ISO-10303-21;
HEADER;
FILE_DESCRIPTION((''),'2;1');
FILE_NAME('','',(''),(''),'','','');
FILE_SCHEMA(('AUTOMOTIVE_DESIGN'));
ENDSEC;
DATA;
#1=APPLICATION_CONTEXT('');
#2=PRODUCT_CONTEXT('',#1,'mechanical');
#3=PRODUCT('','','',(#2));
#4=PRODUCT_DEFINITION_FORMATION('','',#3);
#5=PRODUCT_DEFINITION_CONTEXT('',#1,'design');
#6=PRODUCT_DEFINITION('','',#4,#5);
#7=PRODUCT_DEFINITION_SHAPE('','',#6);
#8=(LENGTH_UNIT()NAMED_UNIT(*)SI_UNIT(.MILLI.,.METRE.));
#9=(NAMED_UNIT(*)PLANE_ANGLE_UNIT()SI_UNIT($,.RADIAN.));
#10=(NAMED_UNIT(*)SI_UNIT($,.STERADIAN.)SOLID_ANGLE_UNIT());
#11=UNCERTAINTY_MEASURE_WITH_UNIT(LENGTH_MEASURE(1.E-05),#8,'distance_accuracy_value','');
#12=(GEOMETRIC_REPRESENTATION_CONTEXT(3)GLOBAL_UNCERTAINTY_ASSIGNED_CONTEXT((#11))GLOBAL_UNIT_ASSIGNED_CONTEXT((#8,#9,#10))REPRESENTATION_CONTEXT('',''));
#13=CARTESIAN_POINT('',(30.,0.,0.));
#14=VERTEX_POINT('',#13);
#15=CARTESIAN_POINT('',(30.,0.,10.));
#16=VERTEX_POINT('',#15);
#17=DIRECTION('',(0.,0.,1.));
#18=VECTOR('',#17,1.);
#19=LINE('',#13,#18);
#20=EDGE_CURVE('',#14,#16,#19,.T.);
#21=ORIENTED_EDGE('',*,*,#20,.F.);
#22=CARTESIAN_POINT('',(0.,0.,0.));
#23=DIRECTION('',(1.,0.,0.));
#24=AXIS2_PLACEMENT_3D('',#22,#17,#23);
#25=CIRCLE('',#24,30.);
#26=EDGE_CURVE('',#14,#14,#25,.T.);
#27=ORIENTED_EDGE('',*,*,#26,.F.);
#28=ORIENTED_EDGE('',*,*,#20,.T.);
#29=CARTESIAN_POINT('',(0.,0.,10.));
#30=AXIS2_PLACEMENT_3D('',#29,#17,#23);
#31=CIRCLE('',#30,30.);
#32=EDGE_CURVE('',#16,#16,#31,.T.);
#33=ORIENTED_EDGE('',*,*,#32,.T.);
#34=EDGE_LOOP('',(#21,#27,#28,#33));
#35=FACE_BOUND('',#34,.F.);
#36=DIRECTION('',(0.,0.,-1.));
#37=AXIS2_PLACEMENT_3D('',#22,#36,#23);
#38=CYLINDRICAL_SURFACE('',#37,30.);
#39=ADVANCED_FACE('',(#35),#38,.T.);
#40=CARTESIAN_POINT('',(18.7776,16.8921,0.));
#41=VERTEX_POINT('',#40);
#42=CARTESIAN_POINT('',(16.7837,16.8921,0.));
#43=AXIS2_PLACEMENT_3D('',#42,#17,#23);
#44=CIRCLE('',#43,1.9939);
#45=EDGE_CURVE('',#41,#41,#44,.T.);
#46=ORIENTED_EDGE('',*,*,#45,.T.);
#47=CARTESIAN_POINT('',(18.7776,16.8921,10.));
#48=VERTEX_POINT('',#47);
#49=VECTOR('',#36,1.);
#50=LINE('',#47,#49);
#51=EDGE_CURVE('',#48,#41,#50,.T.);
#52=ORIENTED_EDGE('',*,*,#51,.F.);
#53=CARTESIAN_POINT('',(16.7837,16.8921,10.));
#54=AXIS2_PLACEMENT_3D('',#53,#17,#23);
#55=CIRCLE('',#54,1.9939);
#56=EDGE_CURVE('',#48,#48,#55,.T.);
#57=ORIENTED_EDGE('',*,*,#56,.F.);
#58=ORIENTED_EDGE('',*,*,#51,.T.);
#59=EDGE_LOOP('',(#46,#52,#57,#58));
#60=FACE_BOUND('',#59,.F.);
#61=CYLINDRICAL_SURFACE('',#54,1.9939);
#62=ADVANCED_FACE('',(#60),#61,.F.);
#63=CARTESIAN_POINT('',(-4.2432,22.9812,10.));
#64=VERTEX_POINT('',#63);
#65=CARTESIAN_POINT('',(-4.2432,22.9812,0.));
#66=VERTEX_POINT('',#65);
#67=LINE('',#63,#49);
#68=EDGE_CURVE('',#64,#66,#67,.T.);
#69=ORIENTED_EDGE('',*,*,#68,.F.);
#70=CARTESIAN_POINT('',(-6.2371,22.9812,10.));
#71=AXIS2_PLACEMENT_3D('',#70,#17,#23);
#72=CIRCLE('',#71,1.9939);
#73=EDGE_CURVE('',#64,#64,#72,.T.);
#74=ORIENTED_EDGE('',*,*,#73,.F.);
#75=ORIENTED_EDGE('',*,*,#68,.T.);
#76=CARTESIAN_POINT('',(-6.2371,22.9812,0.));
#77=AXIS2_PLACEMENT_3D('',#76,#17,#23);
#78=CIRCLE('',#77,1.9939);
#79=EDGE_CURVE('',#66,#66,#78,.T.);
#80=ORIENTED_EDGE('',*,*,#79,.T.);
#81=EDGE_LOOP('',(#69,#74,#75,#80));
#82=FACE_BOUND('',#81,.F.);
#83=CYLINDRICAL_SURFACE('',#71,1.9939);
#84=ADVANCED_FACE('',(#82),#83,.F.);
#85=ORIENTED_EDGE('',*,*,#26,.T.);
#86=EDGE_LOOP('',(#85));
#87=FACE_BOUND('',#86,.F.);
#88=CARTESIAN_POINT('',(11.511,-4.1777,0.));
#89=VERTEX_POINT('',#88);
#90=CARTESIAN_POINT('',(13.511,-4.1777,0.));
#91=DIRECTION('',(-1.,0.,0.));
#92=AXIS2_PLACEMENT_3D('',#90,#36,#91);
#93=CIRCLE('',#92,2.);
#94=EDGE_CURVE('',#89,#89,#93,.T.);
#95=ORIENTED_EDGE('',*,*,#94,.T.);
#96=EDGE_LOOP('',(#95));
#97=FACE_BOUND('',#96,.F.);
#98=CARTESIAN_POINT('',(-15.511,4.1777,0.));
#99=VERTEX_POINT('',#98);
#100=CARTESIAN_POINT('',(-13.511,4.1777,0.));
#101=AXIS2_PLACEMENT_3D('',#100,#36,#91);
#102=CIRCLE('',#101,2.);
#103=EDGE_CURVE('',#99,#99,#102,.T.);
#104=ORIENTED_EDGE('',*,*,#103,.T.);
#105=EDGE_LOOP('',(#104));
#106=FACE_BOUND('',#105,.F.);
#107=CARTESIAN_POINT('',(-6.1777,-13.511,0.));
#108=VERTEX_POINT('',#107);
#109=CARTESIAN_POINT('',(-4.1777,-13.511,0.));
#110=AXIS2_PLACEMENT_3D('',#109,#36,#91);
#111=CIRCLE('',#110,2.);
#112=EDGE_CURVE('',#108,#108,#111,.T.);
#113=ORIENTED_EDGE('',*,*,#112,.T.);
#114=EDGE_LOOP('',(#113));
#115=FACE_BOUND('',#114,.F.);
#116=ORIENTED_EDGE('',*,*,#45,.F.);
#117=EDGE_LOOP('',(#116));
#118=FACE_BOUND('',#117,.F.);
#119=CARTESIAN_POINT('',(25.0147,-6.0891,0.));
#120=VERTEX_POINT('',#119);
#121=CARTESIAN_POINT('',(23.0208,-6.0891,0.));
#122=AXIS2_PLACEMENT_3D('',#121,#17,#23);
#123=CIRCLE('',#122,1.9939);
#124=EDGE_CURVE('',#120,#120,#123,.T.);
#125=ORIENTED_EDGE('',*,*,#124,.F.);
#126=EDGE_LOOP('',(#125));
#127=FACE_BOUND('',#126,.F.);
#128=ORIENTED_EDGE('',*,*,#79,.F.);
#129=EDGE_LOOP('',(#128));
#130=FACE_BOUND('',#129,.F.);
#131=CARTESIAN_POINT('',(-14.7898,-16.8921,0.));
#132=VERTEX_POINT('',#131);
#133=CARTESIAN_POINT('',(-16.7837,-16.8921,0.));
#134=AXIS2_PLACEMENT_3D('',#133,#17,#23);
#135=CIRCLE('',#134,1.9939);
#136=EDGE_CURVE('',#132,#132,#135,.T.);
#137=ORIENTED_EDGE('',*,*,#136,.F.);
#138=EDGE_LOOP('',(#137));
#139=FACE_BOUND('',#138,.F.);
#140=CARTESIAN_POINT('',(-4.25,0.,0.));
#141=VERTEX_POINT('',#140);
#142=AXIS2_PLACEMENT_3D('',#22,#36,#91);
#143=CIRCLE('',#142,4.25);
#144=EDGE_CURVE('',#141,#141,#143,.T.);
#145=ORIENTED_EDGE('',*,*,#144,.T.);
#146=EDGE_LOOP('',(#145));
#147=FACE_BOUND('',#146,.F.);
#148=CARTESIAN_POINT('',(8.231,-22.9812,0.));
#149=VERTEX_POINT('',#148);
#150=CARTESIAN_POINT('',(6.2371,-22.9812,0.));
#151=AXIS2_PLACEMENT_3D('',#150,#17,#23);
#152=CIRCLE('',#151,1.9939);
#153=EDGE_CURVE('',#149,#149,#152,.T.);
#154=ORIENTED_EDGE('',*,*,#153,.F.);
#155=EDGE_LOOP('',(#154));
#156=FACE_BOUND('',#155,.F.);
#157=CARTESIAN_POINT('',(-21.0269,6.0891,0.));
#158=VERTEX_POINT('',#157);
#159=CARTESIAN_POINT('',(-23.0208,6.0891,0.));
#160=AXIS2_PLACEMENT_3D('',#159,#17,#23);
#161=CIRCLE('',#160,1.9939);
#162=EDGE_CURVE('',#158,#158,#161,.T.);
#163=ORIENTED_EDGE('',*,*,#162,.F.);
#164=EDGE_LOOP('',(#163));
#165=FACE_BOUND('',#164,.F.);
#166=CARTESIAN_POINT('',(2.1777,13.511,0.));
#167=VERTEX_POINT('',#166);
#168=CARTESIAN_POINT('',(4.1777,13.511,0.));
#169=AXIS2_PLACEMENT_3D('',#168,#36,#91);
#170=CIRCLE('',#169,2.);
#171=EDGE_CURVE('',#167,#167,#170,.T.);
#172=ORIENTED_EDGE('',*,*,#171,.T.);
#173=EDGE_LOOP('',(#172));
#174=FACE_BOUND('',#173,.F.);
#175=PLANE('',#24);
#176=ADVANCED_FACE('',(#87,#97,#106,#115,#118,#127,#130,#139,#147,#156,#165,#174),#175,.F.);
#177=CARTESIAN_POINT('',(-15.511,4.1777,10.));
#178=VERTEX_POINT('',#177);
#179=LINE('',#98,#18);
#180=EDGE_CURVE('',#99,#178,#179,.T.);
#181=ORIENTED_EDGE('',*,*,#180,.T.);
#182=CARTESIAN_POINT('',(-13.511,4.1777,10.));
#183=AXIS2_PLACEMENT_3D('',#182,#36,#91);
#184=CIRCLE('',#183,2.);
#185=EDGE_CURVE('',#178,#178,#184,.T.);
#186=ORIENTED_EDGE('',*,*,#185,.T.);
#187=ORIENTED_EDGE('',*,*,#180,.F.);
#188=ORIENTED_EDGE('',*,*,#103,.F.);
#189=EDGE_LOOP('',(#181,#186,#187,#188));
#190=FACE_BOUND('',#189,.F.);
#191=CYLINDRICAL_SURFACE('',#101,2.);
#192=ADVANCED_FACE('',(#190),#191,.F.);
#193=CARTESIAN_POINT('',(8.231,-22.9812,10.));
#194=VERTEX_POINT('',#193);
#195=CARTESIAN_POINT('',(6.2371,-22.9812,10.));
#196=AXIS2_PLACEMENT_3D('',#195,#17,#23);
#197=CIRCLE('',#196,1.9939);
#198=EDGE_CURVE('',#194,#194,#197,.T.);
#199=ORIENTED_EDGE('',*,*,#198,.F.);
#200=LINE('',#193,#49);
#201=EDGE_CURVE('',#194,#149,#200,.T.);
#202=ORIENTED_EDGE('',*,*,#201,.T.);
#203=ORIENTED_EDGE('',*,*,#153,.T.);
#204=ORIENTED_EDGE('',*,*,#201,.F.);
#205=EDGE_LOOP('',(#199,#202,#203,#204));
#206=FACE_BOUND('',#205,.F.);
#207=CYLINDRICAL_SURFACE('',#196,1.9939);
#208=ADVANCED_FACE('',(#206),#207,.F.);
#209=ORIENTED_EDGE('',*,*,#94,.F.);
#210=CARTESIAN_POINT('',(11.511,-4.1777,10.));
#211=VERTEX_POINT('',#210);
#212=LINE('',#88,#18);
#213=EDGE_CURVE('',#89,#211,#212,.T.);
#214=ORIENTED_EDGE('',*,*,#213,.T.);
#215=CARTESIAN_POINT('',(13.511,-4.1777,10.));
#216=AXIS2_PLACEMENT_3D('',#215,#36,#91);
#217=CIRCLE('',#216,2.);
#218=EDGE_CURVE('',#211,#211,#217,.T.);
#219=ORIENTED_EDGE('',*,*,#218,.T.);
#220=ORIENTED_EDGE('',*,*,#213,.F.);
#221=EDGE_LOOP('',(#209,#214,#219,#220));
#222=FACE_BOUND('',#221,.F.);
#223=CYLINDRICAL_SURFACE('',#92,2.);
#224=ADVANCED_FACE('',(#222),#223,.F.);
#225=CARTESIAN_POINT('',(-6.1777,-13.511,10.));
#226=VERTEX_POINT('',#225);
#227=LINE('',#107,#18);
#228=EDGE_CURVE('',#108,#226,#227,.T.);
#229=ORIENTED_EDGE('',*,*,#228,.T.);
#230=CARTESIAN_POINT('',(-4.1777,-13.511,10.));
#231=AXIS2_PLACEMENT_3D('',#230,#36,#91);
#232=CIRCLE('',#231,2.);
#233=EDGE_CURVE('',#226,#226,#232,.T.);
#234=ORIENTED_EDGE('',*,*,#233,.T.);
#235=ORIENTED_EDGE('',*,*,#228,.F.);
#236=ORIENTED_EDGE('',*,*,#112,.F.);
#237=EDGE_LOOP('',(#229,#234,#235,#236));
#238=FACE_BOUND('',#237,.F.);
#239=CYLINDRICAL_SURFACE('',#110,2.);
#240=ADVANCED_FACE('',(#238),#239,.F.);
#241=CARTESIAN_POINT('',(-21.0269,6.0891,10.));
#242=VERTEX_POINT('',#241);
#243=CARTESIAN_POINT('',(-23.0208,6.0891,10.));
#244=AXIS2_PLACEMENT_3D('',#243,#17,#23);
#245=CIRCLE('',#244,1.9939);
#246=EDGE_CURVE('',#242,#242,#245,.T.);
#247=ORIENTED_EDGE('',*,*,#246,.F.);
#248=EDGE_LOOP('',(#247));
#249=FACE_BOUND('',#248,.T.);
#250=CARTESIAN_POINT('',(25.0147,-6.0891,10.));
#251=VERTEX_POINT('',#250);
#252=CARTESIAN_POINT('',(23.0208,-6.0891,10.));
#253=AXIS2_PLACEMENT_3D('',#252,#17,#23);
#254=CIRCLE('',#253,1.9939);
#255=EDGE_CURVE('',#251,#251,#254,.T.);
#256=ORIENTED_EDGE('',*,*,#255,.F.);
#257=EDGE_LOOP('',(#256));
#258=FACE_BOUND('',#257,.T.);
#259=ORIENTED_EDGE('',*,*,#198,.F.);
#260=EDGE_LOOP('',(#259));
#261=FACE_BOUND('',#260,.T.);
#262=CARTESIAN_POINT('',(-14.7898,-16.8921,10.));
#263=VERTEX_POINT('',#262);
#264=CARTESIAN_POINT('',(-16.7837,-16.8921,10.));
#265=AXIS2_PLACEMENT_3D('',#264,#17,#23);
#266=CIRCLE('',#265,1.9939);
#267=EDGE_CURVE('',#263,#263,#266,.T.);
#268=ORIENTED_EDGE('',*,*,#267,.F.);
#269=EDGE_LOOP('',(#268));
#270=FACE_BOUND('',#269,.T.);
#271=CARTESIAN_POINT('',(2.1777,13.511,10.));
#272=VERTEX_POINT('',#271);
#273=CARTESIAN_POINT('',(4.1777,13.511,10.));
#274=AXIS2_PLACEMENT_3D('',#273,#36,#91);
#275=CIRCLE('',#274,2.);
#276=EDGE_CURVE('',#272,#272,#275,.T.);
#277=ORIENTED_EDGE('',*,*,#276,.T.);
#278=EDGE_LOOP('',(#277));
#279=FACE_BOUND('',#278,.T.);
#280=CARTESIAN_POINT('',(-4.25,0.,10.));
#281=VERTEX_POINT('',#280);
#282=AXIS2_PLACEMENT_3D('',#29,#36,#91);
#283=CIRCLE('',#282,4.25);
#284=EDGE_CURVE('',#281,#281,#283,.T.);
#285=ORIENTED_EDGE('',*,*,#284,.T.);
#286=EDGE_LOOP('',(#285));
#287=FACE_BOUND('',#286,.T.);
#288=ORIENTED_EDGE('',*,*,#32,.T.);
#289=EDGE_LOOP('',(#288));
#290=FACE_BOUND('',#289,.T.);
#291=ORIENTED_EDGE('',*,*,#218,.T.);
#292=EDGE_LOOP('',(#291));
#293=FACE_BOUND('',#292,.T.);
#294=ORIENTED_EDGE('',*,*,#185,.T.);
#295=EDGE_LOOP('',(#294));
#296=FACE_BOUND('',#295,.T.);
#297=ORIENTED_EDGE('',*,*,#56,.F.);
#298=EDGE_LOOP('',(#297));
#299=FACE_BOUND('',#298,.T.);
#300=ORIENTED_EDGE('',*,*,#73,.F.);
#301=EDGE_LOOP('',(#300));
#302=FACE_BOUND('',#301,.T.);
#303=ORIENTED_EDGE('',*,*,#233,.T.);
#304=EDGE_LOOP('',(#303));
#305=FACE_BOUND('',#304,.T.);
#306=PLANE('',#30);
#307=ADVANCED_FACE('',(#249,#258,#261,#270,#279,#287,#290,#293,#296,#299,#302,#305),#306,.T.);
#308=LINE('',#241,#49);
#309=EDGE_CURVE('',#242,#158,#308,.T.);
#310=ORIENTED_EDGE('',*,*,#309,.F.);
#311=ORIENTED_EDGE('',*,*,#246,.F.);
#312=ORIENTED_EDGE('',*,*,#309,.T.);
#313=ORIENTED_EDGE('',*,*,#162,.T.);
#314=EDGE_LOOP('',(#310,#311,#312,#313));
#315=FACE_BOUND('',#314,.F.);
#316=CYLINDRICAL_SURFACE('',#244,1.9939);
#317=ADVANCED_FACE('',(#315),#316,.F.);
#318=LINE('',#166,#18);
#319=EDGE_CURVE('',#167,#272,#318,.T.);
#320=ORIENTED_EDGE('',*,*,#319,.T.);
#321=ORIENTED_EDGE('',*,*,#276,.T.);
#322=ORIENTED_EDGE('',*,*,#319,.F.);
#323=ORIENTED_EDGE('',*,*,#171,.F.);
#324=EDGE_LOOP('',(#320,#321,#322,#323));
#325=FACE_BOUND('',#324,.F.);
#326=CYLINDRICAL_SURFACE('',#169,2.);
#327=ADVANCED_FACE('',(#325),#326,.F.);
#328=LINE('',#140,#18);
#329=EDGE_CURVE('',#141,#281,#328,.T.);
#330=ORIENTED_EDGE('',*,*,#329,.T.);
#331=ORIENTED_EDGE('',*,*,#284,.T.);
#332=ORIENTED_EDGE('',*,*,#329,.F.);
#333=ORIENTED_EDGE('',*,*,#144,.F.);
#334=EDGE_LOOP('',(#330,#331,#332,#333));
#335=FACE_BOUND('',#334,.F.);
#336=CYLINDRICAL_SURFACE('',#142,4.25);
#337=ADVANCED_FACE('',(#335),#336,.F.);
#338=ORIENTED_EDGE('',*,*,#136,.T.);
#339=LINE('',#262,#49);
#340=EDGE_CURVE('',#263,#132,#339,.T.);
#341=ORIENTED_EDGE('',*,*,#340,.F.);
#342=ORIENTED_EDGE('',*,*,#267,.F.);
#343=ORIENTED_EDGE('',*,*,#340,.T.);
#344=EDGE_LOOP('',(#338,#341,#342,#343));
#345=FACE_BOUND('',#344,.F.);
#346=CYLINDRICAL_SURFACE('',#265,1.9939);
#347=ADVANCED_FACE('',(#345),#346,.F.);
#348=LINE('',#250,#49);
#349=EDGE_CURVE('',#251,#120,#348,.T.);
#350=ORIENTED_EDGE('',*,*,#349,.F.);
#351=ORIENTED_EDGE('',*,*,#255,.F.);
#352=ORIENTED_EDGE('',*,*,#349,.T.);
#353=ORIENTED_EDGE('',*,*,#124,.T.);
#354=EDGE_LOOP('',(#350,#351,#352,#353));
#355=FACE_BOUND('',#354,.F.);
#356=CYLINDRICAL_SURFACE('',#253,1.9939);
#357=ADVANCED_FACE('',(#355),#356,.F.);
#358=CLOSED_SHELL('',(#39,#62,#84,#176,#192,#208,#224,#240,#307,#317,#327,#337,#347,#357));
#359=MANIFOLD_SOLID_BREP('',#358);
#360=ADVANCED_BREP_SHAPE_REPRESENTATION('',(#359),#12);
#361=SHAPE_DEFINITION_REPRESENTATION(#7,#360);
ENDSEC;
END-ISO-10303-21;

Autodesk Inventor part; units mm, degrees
ref_plane "YZ Plane" through (0, 0, 0) normal (1, 0, 0) x (0, 1, 0)
ref_plane "XZ Plane" through (0, 0, 0) normal (0, 1, 0) x (-1, 0, 0)
ref_plane "XY Plane" through (0, 0, 0) normal (0, 0, 1) x (1, 0, 0)
sketch "Sketch1" plane through (0, 0, 0) normal (0, 0, 1) x (1, 0, 0)
  circle A0 centre (0, 0) radius 30
  dimension "d0" = 60
extrude "Extrusion1" add sketch "Sketch1" along normal blind 10
sketch "Sketch2" plane through (0, 0, 10) normal (0, 0, 1) x (1, 0, 0)
  circle A0 centre (6.2371, -22.9812) radius 1.9939
  circle A1 centre (23.0208, -6.0891) radius 1.9939
  circle A2 centre (-23.0208, 6.0891) radius 1.9939
  circle A3 centre (-16.7837, -16.8921) radius 1.9939
  circle A4 centre (-6.2371, 22.9812) radius 1.9939
  circle A5 centre (16.7837, 16.8921) radius 1.9939
  circle A6 centre (0, 0) radius 14.2875 construction
  point P0 (0, 0)
extrude "Extrusion2" cut sketch "Sketch2" against normal through all
sketch "Sketch3" plane through (0, 0, 0) normal (0, 0, -1) x (-1, 0, 0)
  circle A0 centre (-13.511, -4.1777) radius 2 projected
  circle A1 centre (-4.1777, 13.511) radius 2 projected
  circle A2 centre (4.1777, -13.511) radius 2 projected
  circle A3 centre (13.511, 4.1777) radius 2 projected
  circle A4 centre (4.1777, -13.511) radius 2 projected
  point P0 (0, 0)
extrude "Extrusion3" cut sketch "Sketch3" against normal through all
sketch "Sketch4" plane through (0, 0, 0) normal (0, 0, -1) x (-1, 0, 0)
  circle A0 centre (0, 0) radius 4 construction
  circle A1 centre (-4.1777, 13.511) radius 2 projected
  circle A2 centre (13.511, 4.1777) radius 2 projected
  circle A3 centre (-13.511, -4.1777) radius 2 projected
  circle A4 centre (4.1777, -13.511) radius 2 projected
  circle A5 centre (-6.2371, -22.9812) radius 1.9939 projected
  circle A6 centre (6.2371, 22.9812) radius 1.9939 projected
  circle A7 centre (-23.0208, -6.0891) radius 1.9939 projected
  circle A8 centre (16.7837, -16.8921) radius 1.9939 projected
  circle A9 centre (23.0208, 6.0891) radius 1.9939 projected
  circle A10 centre (-16.7837, 16.8921) radius 1.9939 projected
  circle A11 centre (0, 0) radius 30 projected
  circle A12 centre (0, 0) radius 4.25
  dimension "d7" = 8.5
extrude "Extrusion4" cut sketch "Sketch4" against normal through all contours A12
sketch "Sketch5" plane through (0, 0, 0) normal (0, 0, -1) x (-1, 0, 0)
  circle A0 centre (0, 0) radius 12.25 construction
  circle A1 centre (0, 0) radius 4.25 projected
  circle A2 centre (0, 0) radius 12
  dimension "d10" = 24
properties part number "LegHub"
